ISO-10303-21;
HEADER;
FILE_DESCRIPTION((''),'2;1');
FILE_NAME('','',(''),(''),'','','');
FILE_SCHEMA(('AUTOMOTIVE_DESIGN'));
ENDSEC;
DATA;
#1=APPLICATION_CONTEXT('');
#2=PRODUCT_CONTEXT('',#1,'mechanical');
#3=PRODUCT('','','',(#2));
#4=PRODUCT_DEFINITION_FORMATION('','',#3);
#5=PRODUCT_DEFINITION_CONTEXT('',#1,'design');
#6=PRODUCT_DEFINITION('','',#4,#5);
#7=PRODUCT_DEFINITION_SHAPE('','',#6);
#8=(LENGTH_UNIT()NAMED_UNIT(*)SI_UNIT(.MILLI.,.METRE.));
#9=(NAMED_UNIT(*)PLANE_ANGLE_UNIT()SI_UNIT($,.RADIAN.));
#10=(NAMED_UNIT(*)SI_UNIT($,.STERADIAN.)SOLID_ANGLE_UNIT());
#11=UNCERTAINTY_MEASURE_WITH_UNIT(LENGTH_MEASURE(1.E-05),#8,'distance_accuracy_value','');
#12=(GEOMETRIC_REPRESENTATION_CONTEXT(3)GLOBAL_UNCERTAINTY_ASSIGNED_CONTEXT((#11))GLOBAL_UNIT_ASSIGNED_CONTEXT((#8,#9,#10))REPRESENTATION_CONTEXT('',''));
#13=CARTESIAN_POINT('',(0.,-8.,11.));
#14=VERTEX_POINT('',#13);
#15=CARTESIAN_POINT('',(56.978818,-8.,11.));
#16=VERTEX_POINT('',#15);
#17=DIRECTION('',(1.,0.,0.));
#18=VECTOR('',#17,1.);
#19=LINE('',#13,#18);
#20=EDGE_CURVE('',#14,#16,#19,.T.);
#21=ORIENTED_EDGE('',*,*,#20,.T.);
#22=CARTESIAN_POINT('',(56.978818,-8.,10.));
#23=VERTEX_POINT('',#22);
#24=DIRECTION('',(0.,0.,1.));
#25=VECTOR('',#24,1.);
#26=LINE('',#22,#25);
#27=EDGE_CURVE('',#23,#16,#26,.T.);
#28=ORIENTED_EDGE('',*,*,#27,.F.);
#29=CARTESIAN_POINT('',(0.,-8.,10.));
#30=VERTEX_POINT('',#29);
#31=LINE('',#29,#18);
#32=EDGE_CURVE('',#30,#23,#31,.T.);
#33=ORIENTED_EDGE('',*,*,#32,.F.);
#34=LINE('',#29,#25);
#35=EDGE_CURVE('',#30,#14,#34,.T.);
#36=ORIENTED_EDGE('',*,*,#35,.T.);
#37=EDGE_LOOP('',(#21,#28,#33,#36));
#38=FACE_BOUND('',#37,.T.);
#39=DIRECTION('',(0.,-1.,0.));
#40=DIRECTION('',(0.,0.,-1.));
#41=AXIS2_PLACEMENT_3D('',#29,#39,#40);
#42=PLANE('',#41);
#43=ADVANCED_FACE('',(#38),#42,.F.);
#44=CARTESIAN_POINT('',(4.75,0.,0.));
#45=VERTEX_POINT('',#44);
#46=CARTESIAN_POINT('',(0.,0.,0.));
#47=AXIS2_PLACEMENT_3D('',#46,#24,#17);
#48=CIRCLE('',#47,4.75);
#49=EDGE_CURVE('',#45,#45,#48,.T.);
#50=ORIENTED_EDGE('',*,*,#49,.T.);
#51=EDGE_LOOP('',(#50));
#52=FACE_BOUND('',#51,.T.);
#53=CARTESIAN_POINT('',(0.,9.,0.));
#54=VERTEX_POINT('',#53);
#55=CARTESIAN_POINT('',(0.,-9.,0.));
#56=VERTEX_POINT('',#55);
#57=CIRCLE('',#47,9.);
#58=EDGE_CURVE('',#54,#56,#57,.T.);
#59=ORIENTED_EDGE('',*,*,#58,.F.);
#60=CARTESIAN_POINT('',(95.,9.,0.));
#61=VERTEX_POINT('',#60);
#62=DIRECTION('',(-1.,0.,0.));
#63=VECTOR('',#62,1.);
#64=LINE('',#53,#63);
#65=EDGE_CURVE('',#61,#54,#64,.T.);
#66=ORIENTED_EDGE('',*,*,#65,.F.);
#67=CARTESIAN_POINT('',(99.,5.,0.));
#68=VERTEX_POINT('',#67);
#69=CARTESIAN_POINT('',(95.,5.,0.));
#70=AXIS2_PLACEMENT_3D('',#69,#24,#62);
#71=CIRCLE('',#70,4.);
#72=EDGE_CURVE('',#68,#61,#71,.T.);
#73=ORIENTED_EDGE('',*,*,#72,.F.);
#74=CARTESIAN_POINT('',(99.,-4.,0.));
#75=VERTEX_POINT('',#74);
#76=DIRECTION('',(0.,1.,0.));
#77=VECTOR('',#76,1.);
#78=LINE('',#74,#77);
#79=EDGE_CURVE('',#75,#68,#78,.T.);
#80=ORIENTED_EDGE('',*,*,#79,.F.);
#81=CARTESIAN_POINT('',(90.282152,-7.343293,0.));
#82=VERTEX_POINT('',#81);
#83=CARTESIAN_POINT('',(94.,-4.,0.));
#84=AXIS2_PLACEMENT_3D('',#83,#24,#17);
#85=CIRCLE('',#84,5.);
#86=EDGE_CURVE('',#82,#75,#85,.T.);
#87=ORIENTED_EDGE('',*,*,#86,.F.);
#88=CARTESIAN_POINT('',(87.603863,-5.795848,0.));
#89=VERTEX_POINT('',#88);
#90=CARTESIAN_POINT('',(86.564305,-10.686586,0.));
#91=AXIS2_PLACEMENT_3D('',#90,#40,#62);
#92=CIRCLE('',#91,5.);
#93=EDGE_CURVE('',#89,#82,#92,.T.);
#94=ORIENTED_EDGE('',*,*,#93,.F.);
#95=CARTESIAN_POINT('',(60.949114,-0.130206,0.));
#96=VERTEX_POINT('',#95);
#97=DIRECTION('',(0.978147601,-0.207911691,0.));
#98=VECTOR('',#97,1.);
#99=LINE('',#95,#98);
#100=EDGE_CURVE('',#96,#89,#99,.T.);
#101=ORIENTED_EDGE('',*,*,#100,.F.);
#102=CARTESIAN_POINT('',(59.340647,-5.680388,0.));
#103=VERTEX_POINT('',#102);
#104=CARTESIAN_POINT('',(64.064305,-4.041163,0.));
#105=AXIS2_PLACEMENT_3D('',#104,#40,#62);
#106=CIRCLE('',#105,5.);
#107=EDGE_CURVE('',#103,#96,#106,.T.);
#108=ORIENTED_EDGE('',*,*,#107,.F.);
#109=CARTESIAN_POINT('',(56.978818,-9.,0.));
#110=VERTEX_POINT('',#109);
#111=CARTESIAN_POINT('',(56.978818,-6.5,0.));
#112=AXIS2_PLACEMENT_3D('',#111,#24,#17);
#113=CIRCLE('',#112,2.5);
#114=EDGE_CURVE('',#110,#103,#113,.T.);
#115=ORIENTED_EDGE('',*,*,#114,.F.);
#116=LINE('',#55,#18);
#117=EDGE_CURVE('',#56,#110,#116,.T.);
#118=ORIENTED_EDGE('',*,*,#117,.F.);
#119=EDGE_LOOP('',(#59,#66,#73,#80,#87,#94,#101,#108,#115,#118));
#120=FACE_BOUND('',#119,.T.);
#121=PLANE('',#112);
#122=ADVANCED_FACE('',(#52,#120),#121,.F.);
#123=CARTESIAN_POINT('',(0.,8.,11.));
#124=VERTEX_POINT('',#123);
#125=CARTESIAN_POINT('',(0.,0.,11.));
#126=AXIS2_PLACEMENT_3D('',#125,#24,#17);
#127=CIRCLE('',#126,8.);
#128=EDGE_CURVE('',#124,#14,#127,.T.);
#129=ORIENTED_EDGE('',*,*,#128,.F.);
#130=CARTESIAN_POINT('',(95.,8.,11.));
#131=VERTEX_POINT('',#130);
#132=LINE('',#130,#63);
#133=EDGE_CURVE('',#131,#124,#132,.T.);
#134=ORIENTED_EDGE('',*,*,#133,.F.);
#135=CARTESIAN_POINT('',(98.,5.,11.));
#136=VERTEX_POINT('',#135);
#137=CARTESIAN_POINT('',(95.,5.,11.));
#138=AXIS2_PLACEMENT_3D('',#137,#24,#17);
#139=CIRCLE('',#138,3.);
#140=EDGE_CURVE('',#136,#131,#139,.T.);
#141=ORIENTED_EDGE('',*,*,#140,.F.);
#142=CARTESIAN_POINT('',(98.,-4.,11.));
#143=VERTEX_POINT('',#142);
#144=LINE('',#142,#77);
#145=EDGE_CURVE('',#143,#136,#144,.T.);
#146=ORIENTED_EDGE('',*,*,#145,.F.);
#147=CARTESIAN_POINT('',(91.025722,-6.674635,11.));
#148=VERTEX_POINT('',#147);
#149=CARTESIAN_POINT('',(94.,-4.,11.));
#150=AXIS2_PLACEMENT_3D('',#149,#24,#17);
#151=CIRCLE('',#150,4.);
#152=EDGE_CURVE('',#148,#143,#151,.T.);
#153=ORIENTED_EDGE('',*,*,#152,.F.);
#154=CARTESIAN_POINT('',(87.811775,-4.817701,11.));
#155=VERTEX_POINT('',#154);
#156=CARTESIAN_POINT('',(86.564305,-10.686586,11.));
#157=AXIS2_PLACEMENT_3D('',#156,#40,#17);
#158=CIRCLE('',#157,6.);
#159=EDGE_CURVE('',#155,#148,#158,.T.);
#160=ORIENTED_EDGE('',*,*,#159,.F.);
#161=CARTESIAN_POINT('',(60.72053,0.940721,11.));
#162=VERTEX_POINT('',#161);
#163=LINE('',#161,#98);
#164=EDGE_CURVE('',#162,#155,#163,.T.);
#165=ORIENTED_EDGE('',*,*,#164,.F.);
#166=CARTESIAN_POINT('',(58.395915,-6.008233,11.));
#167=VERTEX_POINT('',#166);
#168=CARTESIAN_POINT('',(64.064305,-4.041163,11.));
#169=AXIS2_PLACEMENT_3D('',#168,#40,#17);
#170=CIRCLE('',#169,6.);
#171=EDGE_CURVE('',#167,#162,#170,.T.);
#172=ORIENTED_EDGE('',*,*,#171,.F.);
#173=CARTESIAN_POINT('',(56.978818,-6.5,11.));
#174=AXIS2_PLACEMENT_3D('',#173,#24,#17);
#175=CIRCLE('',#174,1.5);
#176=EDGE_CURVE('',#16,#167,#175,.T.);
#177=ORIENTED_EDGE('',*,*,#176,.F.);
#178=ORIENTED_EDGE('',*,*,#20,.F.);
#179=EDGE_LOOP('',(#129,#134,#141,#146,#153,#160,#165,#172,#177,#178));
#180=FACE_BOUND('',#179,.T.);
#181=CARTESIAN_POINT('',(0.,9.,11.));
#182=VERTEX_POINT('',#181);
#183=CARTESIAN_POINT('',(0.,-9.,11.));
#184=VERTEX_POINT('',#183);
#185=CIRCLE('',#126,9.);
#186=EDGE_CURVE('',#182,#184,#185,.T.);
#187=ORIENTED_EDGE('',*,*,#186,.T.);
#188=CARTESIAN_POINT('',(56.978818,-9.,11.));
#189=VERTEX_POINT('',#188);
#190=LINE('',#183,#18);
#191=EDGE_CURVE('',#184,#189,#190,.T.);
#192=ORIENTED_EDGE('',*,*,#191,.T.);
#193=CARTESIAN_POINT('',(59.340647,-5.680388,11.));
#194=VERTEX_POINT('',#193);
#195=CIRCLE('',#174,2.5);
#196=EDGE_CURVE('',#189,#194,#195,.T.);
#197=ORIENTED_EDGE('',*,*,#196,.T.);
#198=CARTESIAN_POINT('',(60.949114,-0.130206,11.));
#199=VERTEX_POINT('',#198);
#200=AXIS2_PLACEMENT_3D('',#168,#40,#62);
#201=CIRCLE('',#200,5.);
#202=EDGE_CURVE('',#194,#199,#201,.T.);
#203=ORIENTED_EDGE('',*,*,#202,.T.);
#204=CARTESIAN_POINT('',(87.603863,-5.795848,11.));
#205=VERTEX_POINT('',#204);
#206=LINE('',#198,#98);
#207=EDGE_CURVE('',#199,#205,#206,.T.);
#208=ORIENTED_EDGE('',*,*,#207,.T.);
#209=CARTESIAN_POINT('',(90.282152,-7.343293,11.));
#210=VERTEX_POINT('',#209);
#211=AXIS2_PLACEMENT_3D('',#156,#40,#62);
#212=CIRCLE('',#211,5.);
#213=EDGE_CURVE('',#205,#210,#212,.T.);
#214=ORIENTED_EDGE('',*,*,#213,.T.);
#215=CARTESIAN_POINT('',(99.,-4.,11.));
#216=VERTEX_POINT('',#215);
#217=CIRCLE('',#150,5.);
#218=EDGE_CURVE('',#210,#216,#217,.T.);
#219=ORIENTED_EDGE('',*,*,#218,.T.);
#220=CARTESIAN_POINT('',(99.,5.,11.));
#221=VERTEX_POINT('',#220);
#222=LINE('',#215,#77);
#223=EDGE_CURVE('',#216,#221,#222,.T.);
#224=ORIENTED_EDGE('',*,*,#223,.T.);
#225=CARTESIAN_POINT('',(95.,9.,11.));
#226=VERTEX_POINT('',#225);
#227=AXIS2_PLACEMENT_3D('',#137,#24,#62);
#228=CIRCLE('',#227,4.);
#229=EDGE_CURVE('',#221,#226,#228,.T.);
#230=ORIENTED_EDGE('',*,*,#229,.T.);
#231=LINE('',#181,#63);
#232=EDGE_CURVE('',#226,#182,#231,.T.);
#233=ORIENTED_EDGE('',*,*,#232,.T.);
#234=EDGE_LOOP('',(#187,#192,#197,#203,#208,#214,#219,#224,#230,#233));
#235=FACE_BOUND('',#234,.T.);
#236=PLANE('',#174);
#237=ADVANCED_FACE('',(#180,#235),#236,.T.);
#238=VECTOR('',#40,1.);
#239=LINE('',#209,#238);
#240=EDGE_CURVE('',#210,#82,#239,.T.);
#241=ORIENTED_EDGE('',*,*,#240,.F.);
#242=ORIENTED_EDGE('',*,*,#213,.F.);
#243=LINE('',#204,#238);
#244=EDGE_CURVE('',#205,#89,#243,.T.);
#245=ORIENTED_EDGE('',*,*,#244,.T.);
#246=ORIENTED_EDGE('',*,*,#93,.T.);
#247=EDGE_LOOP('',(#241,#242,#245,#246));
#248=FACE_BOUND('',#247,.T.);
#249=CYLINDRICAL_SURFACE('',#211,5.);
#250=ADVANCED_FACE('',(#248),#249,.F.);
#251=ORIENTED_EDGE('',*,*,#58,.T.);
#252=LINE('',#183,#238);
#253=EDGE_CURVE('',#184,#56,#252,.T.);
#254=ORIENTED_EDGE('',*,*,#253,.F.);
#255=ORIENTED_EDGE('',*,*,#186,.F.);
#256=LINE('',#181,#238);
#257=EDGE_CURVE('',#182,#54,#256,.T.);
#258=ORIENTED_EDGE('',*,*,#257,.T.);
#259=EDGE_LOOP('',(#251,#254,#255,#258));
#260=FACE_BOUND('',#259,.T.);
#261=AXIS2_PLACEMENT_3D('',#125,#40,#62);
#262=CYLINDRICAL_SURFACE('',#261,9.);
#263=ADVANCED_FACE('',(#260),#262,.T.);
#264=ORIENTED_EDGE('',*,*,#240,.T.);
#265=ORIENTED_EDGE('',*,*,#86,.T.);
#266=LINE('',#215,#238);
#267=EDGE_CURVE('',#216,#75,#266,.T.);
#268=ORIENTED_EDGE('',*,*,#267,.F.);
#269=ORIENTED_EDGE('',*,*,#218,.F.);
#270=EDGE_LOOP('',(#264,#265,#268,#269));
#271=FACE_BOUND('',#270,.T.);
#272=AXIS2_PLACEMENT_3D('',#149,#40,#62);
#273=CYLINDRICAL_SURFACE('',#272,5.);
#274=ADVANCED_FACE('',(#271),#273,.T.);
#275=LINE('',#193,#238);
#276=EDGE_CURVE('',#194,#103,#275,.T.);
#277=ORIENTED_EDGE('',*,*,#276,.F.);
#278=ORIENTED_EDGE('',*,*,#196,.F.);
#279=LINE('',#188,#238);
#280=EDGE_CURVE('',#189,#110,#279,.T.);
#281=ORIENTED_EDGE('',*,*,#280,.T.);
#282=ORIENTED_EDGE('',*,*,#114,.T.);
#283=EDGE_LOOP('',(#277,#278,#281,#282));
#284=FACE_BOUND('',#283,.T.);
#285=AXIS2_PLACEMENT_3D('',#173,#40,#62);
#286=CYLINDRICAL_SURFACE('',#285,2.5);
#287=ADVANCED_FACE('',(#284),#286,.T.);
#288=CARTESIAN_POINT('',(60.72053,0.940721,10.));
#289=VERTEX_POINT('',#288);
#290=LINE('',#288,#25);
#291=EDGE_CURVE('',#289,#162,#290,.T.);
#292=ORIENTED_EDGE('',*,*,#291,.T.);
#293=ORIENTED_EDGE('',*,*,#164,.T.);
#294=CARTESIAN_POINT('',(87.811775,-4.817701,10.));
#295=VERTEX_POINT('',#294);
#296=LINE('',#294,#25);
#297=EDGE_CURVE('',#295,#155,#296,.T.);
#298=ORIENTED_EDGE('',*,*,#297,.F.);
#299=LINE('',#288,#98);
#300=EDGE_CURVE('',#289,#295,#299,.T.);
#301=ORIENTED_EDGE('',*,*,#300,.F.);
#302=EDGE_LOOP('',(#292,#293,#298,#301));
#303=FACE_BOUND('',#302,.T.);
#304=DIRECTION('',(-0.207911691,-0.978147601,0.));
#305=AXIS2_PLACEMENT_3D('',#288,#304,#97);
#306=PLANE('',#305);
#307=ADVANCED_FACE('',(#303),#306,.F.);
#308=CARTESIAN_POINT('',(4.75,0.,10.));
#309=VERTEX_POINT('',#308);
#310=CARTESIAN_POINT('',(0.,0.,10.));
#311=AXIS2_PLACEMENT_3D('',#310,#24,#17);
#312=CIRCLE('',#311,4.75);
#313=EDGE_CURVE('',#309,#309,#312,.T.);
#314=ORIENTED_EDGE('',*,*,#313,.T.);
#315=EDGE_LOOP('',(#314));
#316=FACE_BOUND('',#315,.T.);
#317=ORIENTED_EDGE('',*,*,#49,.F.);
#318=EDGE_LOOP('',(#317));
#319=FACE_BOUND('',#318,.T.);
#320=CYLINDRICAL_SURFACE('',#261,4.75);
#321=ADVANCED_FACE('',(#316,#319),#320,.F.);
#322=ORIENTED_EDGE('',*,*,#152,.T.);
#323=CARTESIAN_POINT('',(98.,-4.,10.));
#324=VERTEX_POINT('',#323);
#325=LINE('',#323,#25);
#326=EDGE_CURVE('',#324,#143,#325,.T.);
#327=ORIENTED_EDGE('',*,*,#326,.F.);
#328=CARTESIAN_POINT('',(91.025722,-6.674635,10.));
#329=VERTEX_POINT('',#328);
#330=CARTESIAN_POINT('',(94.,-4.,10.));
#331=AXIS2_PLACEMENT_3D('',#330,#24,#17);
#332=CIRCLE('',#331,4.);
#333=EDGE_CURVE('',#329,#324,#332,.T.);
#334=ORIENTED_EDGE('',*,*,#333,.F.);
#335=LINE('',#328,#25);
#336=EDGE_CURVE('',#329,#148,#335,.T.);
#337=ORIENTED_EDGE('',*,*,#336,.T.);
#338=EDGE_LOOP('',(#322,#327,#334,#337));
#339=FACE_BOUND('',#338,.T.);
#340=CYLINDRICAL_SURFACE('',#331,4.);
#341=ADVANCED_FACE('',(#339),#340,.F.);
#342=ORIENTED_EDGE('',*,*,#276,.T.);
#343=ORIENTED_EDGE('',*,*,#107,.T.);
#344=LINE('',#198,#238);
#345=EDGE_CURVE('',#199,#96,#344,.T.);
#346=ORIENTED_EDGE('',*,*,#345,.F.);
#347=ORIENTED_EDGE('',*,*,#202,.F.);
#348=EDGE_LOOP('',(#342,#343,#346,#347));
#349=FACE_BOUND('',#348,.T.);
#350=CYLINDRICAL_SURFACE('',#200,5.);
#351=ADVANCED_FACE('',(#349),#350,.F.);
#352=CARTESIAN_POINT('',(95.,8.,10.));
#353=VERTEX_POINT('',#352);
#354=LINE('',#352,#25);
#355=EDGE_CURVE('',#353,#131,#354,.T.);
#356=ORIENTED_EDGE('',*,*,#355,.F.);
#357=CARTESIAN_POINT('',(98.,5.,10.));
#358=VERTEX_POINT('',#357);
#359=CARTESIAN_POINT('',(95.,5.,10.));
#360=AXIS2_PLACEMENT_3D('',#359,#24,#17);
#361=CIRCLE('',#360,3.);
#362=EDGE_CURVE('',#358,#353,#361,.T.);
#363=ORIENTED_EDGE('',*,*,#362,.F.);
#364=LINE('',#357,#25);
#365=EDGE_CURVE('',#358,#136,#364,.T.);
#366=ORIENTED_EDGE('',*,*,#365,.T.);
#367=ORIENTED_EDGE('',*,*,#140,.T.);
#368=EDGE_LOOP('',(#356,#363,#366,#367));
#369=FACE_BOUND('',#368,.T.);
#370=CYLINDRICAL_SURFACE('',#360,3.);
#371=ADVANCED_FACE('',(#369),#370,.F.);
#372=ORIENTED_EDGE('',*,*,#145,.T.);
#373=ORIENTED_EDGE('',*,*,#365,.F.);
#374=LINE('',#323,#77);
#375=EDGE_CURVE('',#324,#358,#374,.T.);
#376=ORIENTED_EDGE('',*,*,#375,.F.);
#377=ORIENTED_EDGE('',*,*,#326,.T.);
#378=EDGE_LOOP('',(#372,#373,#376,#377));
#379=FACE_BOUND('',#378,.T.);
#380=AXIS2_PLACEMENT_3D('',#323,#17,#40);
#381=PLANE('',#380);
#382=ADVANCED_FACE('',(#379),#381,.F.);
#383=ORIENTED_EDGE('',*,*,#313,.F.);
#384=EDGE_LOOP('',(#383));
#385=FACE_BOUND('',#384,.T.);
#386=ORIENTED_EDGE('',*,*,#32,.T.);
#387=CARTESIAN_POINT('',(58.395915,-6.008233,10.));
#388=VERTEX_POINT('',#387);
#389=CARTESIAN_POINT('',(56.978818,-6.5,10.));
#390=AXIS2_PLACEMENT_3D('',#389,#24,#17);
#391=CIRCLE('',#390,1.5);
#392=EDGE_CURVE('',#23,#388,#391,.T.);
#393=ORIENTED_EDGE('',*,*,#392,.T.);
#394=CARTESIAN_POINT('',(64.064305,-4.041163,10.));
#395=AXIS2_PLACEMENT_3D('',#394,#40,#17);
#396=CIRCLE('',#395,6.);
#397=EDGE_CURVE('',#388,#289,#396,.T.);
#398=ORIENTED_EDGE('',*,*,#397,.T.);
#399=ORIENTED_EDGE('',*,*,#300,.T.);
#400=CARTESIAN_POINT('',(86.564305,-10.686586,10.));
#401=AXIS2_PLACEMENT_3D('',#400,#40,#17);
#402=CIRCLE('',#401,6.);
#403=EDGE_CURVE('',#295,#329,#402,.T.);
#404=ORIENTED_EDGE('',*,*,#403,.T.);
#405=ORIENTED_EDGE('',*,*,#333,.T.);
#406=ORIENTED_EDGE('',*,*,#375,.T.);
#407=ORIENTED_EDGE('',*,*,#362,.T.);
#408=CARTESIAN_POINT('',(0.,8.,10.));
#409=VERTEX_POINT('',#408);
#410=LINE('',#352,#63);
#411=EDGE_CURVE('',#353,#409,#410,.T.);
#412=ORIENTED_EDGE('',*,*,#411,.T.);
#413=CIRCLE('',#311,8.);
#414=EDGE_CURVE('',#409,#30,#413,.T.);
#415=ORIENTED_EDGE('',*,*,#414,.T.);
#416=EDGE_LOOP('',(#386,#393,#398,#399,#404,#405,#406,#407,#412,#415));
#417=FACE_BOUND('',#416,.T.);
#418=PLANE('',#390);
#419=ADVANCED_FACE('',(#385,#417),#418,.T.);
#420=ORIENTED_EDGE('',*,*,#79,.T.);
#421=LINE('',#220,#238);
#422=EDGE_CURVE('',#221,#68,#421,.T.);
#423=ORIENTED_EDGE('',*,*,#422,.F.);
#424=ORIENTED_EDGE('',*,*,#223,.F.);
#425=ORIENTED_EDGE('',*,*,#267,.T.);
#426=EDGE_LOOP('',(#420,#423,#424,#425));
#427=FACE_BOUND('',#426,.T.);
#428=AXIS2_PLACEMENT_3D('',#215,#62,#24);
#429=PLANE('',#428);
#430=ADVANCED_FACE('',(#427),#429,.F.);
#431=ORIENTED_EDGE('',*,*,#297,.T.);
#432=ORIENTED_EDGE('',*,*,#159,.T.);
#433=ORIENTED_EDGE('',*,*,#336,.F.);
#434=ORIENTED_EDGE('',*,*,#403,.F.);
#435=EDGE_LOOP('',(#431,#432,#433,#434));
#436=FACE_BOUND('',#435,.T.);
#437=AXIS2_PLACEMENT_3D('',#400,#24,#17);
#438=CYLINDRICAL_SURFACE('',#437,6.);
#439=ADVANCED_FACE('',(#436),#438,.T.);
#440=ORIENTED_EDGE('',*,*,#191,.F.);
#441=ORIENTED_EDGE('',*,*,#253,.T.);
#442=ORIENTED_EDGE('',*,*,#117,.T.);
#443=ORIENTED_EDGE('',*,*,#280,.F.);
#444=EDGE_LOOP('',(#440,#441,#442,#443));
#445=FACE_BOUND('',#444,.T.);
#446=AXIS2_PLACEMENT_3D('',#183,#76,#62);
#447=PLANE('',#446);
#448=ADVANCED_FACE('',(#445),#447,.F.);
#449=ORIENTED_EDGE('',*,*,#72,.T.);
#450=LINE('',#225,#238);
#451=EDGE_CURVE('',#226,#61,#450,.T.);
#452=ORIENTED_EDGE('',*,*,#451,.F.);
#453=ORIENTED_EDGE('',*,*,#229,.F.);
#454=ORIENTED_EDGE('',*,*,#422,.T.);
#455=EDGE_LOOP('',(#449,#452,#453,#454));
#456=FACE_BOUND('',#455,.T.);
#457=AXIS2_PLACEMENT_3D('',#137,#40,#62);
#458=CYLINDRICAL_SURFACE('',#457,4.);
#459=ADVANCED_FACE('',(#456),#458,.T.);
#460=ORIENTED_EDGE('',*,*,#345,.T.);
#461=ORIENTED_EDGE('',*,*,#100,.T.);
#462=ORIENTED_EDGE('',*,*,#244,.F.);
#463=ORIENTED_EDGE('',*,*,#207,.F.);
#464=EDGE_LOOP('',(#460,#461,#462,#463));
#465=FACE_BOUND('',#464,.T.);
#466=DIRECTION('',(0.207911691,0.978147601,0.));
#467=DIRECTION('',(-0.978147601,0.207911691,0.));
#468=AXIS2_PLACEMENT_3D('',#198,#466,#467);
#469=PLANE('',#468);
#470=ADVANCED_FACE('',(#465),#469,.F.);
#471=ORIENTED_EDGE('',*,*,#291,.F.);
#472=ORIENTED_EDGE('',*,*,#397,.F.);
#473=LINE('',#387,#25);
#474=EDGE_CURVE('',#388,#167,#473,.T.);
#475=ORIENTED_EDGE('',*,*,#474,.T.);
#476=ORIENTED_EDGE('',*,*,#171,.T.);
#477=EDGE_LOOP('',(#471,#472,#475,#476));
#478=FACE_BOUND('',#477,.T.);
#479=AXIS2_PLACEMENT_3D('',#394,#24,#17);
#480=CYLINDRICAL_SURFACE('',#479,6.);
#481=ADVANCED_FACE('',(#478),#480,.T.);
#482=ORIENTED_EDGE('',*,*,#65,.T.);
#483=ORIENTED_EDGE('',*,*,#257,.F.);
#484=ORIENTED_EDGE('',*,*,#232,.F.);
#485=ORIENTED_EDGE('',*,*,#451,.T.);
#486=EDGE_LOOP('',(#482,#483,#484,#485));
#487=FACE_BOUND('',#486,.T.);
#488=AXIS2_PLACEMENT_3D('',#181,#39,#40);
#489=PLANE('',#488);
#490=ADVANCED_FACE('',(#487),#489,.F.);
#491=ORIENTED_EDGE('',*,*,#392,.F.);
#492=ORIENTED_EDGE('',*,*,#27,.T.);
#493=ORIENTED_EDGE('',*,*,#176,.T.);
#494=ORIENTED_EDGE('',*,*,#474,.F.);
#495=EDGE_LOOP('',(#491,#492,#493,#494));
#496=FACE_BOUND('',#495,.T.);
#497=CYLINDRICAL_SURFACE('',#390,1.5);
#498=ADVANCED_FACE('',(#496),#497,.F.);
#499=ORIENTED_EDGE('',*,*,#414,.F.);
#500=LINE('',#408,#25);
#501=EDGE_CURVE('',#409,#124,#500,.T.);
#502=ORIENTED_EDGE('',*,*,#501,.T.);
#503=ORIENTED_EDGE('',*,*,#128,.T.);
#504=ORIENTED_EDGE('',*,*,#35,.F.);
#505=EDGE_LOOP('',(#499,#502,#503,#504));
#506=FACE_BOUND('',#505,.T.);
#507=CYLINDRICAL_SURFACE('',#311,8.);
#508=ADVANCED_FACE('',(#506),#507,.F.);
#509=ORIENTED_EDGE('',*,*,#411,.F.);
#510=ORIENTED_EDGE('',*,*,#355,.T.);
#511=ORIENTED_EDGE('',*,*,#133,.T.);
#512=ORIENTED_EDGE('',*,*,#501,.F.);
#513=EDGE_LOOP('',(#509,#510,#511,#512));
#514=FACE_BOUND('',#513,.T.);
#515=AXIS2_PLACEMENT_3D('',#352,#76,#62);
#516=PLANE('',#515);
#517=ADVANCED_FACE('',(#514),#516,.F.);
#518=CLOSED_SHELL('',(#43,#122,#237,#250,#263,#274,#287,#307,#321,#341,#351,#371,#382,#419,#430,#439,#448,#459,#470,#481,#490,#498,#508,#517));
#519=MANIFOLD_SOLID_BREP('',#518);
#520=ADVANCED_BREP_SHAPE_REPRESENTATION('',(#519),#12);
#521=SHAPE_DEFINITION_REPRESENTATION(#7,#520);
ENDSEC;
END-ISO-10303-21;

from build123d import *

# Parameters (mm, degrees)
SKETCH2_R           = 4.75
BOSS_EXTRUDE1_DEPTH = 11
CUT_EXTRUDE1_DEPTH  = 1


with BuildPart() as part:
    # Sketch2 → Boss-Extrude1 (new body)
    with BuildSketch(Plane.XY):
        with BuildLine():
            Line((0, -9), (56.97881801, -9))
            ThreePointArc((56.97881801, -9), (59.015853911, -7.949304916), (59.340646926, -5.680387791))
            ThreePointArc((59.340646926, -5.680387791), (59.261907809, -2.649407806), (60.949113688, -0.130206379))
            Line((60.949113688, -0.130206379), (87.603863211, -5.795848289))
            ThreePointArc((87.603863211, -5.795848289), (89.065679287, -6.35725315), (90.282152379, -7.343293147))
            ThreePointArc((90.282152379, -7.343293147), (95.79035777, -8.66847074), (99, -4))
            Line((99, -4), (99, 5))
            ThreePointArc((99, 5), (97.828427125, 7.828427125), (95, 9))
            Line((95, 9), (0, 9))
            ThreePointArc((0, 9), (-9, 0), (0, -9))
        make_face()
        Circle(SKETCH2_R, mode=Mode.SUBTRACT)
    extrude(amount=BOSS_EXTRUDE1_DEPTH)

    # Sketch4 → Cut-Extrude1 (cut)
    with BuildSketch(Plane.XY.offset(11)):
        with BuildLine():
            Line((60.720530375, 0.940721099), (87.811774902, -4.817700689))
            ThreePointArc((87.811774902, -4.817700689), (89.565954193, -5.491386522), (91.025721903, -6.674634517))
            ThreePointArc((91.025721903, -6.674634517), (95.432286216, -7.734776592), (98, -4))
            Line((98, -4), (98, 5))
            ThreePointArc((98, 5), (97.121320344, 7.121320344), (95, 8))
            Line((95, 8), (0, 8))
            ThreePointArc((0, 8), (-8, 0), (0, -8))
            Line((0, -8), (56.97881801, -8))
            ThreePointArc((56.97881801, -8), (58.201039551, -7.369582949), (58.39591536, -6.008232674))
            ThreePointArc((58.39591536, -6.008232674), (58.374246442, -2.137683304), (60.720530375, 0.940721099))
        make_face()
    extrude(amount=-CUT_EXTRUDE1_DEPTH, mode=Mode.SUBTRACT)


solid = part.part
